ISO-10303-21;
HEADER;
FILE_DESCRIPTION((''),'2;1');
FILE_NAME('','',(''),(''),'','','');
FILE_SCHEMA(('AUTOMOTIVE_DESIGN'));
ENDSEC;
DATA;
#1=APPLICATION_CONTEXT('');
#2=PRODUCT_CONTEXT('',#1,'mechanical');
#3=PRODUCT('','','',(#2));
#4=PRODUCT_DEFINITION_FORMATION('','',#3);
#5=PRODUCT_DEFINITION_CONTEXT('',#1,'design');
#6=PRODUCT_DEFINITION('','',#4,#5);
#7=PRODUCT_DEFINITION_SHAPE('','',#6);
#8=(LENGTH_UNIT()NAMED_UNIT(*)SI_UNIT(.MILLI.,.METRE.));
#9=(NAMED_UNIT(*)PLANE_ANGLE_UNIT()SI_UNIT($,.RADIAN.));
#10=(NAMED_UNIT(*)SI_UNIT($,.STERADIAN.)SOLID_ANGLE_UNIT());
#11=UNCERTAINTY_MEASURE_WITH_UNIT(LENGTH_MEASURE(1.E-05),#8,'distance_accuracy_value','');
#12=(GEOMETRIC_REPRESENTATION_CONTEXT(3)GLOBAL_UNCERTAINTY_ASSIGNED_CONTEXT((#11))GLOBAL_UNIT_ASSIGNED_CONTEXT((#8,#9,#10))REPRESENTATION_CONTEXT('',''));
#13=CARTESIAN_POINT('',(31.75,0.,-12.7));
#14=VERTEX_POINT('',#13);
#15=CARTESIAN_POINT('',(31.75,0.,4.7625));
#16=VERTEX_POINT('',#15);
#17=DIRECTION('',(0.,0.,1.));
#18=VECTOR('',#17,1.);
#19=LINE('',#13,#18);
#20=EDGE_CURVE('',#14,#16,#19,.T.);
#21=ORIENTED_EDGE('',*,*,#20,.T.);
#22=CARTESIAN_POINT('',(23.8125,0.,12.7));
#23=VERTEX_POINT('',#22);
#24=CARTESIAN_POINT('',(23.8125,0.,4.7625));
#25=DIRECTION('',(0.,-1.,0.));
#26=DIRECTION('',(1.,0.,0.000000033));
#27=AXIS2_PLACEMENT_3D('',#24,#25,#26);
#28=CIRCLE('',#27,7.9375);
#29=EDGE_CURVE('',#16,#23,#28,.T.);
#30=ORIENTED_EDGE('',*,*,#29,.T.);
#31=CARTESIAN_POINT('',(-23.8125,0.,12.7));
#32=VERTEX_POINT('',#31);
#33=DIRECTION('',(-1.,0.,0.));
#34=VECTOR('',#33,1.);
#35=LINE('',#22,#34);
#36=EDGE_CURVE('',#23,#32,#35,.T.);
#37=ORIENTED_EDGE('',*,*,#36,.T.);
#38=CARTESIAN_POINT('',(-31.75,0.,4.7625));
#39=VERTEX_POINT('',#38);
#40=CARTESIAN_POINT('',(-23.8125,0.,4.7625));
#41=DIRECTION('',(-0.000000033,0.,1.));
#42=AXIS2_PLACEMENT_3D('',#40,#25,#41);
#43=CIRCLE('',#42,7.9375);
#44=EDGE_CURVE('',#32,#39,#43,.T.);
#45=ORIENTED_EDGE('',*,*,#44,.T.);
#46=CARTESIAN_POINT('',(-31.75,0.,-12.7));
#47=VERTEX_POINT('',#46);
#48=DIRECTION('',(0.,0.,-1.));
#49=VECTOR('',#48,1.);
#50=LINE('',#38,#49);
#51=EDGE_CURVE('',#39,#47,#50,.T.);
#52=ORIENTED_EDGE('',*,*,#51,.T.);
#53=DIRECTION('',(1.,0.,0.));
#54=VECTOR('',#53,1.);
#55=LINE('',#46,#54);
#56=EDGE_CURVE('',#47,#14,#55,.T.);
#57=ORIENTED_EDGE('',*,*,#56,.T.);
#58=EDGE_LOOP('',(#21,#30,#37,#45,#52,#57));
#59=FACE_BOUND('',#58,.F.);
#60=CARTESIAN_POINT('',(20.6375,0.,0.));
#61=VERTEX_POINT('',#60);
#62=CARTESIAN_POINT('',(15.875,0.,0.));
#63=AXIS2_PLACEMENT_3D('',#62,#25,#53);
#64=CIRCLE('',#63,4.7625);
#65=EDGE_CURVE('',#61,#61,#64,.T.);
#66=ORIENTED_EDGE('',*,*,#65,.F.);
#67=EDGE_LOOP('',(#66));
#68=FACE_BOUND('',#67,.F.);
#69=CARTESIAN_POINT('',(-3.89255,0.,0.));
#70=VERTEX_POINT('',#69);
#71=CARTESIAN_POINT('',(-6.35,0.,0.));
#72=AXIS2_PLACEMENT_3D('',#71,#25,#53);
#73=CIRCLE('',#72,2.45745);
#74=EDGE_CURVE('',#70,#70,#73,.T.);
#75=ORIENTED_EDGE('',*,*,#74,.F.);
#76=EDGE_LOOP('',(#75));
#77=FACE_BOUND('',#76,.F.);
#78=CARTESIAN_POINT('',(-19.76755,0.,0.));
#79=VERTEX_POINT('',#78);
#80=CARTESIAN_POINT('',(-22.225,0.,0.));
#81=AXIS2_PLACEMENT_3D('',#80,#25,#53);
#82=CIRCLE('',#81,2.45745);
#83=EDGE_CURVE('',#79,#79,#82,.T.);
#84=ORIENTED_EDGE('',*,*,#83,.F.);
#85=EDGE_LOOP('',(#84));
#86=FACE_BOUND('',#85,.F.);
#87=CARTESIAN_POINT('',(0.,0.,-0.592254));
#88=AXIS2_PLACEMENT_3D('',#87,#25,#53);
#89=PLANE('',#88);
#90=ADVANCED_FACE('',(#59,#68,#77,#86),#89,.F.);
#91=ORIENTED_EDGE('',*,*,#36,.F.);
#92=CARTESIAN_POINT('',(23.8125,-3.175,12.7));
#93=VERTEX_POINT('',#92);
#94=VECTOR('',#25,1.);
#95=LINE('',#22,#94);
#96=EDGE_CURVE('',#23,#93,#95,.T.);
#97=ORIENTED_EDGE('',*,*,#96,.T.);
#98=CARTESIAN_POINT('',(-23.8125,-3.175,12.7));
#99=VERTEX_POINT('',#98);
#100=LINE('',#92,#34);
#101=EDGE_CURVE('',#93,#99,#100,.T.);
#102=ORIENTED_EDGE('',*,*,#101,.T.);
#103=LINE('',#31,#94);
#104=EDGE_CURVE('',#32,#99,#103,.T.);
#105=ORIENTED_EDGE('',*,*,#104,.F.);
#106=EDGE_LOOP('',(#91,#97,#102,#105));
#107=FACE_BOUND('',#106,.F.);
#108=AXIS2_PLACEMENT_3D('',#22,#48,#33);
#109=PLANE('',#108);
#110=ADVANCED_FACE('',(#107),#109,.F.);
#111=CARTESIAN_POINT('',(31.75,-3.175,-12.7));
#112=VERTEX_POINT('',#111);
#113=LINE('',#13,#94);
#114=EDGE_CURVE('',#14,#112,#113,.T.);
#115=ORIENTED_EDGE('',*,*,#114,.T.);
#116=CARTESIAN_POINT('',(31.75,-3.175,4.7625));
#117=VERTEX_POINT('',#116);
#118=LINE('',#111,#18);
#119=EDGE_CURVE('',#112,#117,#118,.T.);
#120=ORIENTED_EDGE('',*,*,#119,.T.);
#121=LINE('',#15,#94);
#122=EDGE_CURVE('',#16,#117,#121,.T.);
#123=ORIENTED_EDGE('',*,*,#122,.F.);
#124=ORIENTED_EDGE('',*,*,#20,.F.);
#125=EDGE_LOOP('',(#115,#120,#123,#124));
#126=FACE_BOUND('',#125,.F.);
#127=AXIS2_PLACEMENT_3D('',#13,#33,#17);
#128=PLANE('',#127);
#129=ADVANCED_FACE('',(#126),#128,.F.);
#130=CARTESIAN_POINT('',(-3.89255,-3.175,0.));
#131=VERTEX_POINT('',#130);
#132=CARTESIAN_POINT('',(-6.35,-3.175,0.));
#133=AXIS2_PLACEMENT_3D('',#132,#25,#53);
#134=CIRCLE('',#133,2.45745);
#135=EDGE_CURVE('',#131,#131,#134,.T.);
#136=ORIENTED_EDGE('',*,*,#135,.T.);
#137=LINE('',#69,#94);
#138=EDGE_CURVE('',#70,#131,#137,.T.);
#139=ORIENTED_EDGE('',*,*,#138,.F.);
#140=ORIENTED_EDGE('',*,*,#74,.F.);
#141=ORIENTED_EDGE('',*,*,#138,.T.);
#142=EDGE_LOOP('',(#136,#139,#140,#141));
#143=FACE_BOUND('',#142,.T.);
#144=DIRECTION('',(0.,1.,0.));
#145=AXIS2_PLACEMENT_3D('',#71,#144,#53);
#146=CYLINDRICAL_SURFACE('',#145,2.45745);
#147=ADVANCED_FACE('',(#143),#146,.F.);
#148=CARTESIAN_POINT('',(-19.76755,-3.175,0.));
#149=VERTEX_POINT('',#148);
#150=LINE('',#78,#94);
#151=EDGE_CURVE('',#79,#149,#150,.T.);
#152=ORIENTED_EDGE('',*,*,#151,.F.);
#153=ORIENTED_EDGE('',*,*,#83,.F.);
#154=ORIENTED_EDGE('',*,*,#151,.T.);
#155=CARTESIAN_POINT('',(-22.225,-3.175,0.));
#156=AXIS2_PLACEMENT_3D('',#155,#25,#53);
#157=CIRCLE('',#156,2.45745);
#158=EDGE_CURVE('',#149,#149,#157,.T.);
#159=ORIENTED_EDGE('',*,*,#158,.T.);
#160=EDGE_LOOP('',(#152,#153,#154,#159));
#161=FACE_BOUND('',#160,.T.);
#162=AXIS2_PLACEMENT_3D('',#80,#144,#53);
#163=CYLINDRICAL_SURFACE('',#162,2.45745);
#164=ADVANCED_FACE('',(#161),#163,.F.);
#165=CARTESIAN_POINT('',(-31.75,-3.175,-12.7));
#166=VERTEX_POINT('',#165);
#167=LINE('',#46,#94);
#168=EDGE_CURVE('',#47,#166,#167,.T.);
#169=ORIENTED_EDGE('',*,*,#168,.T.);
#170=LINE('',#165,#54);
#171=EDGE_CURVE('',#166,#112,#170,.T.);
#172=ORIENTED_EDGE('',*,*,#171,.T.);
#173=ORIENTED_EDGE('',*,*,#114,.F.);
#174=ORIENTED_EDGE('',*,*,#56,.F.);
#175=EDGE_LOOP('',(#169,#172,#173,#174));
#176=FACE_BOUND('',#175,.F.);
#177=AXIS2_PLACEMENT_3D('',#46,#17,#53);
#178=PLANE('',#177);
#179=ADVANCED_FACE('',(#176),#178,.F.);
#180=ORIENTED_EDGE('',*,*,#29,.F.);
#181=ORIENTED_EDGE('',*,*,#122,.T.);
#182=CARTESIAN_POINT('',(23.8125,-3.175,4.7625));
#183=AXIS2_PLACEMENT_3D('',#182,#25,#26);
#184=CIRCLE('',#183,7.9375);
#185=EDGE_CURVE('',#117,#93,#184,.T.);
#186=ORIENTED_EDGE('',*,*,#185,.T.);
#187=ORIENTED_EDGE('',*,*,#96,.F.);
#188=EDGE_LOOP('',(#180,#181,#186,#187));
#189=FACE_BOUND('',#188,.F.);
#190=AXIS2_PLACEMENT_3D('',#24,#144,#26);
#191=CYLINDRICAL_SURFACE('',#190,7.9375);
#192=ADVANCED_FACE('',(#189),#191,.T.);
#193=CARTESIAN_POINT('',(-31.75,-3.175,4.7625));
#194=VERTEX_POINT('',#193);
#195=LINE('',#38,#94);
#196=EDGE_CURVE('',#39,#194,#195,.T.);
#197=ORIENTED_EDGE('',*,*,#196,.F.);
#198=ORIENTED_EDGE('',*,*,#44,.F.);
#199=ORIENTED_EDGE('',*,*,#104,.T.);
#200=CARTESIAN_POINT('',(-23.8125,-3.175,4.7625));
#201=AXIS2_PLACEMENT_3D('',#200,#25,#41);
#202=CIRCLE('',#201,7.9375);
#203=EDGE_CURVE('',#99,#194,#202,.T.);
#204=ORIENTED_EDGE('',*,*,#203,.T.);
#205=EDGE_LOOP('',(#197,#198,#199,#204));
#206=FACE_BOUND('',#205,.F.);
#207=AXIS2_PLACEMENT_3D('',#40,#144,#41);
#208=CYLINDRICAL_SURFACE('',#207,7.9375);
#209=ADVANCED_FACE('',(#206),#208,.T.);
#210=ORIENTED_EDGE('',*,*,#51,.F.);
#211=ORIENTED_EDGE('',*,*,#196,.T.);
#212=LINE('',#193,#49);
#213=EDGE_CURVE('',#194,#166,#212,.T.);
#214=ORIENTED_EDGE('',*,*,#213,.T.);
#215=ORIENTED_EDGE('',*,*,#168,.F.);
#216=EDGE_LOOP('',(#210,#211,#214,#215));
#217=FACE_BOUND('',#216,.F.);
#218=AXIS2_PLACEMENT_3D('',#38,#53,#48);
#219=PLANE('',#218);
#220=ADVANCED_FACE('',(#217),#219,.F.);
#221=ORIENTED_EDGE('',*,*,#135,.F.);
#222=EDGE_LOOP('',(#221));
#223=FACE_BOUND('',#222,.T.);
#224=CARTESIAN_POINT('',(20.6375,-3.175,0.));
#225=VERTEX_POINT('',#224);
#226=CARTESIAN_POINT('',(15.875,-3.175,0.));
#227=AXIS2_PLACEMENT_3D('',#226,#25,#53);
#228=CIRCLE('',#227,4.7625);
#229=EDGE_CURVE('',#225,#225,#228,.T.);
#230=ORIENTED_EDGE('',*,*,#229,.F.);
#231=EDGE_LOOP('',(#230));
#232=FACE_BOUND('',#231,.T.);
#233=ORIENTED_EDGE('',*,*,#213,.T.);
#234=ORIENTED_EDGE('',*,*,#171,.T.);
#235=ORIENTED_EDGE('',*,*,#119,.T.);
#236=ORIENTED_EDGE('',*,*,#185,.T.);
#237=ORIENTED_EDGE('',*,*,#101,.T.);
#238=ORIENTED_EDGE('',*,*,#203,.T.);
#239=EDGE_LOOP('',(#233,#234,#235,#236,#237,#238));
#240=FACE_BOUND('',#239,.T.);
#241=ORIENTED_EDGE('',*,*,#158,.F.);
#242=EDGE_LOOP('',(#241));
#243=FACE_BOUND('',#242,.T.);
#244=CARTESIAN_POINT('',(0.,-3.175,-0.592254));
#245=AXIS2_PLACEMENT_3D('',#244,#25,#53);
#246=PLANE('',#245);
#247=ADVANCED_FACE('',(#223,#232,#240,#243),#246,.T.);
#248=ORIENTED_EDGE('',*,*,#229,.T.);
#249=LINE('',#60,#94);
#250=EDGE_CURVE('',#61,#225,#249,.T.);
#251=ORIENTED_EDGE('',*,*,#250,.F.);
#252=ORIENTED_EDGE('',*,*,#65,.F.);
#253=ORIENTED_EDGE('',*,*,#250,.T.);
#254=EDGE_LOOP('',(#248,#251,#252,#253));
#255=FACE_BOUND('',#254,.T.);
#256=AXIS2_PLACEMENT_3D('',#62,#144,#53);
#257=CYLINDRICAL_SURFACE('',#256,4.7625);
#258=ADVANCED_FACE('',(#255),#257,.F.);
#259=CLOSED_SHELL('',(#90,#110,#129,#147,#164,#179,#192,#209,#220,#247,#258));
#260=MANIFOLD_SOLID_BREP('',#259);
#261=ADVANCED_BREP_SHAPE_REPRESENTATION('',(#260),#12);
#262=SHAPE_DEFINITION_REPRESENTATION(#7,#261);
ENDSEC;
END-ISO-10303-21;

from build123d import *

# Parameters (mm, degrees)
F0_R     = 2.45745
F0_R_2   = 4.7625
F1_DEPTH = 3.175


with BuildPart() as f1:
    # F0 (on Front) → F1 (new body)
    with BuildSketch(Plane.XZ):
        with BuildLine():
            Line((-31.75, -12.7), (31.75, -12.7))
            Line((31.75, -12.7), (31.75, 4.7625))
            ThreePointArc((31.75, 4.7625), (29.42516, 10.37516), (23.8125, 12.7))
            Line((23.8125, 12.7), (-23.8125, 12.7))
            ThreePointArc((-23.8125, 12.7), (-29.42516, 10.37516), (-31.75, 4.7625))
            Line((-31.75, 4.7625), (-31.75, -12.7))
        make_face()
        with Locations((-22.225, 0)):
            Circle(F0_R, mode=Mode.SUBTRACT)
        with Locations((-6.35, 0)):
            Circle(F0_R, mode=Mode.SUBTRACT)
        with Locations((15.875, 0)):
            Circle(F0_R_2, mode=Mode.SUBTRACT)
    extrude(amount=F1_DEPTH)


solid = f1.part
